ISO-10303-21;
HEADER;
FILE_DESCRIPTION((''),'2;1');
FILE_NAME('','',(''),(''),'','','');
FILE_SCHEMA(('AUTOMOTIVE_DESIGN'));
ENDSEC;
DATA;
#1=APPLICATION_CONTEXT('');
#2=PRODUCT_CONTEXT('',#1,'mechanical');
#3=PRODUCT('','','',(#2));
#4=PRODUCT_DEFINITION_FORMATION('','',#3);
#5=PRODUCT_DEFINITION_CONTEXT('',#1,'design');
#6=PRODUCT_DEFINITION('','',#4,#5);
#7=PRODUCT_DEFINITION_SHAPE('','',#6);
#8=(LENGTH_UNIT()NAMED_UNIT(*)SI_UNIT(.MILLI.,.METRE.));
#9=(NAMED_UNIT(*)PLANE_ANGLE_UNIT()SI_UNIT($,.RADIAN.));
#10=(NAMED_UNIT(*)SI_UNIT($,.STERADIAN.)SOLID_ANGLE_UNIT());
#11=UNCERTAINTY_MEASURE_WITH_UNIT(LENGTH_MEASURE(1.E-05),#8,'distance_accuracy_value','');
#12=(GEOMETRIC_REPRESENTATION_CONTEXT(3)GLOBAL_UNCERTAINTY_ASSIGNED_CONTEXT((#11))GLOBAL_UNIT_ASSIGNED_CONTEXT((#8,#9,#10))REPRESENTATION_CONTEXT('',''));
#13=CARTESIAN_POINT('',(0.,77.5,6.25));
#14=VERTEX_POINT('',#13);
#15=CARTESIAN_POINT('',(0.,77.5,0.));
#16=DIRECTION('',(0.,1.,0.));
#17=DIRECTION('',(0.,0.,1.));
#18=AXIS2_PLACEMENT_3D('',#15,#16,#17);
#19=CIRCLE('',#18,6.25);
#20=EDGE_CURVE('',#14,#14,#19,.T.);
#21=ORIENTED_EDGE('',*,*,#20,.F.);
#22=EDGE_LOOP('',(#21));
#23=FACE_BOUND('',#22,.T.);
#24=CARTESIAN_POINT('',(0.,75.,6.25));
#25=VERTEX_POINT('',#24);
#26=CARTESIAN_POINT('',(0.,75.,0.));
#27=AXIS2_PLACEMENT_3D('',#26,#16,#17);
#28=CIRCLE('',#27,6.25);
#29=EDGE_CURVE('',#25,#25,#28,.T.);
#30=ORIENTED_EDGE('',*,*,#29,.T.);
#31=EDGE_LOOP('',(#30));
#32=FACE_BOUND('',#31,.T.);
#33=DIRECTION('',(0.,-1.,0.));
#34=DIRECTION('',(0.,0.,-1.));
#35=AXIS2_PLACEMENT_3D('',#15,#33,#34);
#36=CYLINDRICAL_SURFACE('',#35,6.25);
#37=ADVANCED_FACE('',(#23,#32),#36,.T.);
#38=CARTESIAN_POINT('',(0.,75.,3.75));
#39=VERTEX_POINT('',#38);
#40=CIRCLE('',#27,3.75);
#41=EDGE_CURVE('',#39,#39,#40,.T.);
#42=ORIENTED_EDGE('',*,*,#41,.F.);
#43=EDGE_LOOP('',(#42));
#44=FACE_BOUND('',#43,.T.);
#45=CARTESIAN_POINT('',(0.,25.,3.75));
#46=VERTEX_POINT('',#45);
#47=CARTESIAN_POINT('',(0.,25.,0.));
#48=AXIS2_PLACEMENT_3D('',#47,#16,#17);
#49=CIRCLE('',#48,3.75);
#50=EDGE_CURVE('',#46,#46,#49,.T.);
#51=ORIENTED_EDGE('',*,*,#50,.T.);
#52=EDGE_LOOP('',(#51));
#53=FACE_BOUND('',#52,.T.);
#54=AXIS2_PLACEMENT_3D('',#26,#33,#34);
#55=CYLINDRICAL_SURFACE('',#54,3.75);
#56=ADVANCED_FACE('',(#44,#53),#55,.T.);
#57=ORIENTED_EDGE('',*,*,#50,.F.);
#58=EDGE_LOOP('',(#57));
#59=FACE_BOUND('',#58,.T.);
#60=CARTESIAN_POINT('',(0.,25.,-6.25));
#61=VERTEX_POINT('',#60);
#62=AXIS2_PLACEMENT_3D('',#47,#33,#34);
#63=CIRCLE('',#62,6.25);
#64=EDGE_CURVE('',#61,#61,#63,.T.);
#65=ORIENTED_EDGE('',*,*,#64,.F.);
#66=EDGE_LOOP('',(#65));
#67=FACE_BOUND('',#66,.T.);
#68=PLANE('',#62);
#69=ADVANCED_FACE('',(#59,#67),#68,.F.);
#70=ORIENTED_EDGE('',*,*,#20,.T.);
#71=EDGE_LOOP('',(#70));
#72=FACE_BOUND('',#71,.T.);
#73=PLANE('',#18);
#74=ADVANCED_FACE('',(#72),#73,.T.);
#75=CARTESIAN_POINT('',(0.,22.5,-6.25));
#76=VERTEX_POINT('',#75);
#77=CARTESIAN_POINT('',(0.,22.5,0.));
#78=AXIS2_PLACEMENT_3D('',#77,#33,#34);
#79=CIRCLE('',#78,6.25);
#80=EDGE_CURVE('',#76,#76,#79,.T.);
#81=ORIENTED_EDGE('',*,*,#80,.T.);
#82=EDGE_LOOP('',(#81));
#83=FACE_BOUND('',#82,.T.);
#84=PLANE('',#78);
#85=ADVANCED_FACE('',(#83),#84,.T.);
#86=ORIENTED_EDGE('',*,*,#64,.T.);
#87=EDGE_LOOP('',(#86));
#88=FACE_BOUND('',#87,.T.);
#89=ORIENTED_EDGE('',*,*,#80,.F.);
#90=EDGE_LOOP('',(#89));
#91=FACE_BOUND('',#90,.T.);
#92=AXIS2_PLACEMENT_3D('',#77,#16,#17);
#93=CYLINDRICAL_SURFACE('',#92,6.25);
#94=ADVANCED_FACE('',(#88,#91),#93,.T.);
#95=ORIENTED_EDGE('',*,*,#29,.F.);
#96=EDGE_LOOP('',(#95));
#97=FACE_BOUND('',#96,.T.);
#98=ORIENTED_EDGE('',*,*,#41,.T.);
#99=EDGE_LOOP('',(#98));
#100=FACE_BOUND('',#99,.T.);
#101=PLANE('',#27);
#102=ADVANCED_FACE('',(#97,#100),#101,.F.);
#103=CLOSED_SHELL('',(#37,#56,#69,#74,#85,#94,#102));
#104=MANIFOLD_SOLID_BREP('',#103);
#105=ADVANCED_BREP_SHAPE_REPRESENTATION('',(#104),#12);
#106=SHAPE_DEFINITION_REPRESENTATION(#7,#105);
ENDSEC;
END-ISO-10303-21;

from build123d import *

# Parameters (mm, degrees)
SKETCH2_R           = 7.5
BOSS_EXTRUDE1_DEPTH = 100
SKETCH3_R           = 12.5
BOSS_EXTRUDE2_DEPTH = 5
BOSS_EXTRUDE3_START = 5
SKETCH4_R           = 12.5
BOSS_EXTRUDE3_DEPTH = 5
SCALE1_SCALE        = 0.5


with BuildPart() as part:
    # Sketch2 → Boss-Extrude1 (new body)
    with BuildSketch(Plane(origin=(0, 0, 0), x_dir=(1, 0, 0), z_dir=(0, 1, 0))):
        with Locations(Location((0, 0, 0), (0, 0, 270))):
            Circle(SKETCH2_R)
    extrude(amount=BOSS_EXTRUDE1_DEPTH)

    # Sketch3 → Boss-Extrude2 (add)
    with BuildSketch(Plane(origin=(0, 100, 0), x_dir=(1, 0, 0), z_dir=(0, 1, 0))):
        with Locations(Location((0, 0, 0), (0, 0, 270))):
            Circle(SKETCH3_R)
    extrude(amount=BOSS_EXTRUDE2_DEPTH)

    # Sketch4 → Boss-Extrude3 (add)
    with BuildSketch(Plane.XZ.offset(BOSS_EXTRUDE3_START)):
        with Locations(Location((0, 0, 0), (0, 0, 90))):
            Circle(SKETCH4_R)
    extrude(amount=-BOSS_EXTRUDE3_DEPTH)


with BuildPart() as part_1:
    # Scale1: scaled about (0, 50, 0)
    add(part.part.scale(SCALE1_SCALE).moved(Location((0, 25, 0))))


solid = part_1.part
